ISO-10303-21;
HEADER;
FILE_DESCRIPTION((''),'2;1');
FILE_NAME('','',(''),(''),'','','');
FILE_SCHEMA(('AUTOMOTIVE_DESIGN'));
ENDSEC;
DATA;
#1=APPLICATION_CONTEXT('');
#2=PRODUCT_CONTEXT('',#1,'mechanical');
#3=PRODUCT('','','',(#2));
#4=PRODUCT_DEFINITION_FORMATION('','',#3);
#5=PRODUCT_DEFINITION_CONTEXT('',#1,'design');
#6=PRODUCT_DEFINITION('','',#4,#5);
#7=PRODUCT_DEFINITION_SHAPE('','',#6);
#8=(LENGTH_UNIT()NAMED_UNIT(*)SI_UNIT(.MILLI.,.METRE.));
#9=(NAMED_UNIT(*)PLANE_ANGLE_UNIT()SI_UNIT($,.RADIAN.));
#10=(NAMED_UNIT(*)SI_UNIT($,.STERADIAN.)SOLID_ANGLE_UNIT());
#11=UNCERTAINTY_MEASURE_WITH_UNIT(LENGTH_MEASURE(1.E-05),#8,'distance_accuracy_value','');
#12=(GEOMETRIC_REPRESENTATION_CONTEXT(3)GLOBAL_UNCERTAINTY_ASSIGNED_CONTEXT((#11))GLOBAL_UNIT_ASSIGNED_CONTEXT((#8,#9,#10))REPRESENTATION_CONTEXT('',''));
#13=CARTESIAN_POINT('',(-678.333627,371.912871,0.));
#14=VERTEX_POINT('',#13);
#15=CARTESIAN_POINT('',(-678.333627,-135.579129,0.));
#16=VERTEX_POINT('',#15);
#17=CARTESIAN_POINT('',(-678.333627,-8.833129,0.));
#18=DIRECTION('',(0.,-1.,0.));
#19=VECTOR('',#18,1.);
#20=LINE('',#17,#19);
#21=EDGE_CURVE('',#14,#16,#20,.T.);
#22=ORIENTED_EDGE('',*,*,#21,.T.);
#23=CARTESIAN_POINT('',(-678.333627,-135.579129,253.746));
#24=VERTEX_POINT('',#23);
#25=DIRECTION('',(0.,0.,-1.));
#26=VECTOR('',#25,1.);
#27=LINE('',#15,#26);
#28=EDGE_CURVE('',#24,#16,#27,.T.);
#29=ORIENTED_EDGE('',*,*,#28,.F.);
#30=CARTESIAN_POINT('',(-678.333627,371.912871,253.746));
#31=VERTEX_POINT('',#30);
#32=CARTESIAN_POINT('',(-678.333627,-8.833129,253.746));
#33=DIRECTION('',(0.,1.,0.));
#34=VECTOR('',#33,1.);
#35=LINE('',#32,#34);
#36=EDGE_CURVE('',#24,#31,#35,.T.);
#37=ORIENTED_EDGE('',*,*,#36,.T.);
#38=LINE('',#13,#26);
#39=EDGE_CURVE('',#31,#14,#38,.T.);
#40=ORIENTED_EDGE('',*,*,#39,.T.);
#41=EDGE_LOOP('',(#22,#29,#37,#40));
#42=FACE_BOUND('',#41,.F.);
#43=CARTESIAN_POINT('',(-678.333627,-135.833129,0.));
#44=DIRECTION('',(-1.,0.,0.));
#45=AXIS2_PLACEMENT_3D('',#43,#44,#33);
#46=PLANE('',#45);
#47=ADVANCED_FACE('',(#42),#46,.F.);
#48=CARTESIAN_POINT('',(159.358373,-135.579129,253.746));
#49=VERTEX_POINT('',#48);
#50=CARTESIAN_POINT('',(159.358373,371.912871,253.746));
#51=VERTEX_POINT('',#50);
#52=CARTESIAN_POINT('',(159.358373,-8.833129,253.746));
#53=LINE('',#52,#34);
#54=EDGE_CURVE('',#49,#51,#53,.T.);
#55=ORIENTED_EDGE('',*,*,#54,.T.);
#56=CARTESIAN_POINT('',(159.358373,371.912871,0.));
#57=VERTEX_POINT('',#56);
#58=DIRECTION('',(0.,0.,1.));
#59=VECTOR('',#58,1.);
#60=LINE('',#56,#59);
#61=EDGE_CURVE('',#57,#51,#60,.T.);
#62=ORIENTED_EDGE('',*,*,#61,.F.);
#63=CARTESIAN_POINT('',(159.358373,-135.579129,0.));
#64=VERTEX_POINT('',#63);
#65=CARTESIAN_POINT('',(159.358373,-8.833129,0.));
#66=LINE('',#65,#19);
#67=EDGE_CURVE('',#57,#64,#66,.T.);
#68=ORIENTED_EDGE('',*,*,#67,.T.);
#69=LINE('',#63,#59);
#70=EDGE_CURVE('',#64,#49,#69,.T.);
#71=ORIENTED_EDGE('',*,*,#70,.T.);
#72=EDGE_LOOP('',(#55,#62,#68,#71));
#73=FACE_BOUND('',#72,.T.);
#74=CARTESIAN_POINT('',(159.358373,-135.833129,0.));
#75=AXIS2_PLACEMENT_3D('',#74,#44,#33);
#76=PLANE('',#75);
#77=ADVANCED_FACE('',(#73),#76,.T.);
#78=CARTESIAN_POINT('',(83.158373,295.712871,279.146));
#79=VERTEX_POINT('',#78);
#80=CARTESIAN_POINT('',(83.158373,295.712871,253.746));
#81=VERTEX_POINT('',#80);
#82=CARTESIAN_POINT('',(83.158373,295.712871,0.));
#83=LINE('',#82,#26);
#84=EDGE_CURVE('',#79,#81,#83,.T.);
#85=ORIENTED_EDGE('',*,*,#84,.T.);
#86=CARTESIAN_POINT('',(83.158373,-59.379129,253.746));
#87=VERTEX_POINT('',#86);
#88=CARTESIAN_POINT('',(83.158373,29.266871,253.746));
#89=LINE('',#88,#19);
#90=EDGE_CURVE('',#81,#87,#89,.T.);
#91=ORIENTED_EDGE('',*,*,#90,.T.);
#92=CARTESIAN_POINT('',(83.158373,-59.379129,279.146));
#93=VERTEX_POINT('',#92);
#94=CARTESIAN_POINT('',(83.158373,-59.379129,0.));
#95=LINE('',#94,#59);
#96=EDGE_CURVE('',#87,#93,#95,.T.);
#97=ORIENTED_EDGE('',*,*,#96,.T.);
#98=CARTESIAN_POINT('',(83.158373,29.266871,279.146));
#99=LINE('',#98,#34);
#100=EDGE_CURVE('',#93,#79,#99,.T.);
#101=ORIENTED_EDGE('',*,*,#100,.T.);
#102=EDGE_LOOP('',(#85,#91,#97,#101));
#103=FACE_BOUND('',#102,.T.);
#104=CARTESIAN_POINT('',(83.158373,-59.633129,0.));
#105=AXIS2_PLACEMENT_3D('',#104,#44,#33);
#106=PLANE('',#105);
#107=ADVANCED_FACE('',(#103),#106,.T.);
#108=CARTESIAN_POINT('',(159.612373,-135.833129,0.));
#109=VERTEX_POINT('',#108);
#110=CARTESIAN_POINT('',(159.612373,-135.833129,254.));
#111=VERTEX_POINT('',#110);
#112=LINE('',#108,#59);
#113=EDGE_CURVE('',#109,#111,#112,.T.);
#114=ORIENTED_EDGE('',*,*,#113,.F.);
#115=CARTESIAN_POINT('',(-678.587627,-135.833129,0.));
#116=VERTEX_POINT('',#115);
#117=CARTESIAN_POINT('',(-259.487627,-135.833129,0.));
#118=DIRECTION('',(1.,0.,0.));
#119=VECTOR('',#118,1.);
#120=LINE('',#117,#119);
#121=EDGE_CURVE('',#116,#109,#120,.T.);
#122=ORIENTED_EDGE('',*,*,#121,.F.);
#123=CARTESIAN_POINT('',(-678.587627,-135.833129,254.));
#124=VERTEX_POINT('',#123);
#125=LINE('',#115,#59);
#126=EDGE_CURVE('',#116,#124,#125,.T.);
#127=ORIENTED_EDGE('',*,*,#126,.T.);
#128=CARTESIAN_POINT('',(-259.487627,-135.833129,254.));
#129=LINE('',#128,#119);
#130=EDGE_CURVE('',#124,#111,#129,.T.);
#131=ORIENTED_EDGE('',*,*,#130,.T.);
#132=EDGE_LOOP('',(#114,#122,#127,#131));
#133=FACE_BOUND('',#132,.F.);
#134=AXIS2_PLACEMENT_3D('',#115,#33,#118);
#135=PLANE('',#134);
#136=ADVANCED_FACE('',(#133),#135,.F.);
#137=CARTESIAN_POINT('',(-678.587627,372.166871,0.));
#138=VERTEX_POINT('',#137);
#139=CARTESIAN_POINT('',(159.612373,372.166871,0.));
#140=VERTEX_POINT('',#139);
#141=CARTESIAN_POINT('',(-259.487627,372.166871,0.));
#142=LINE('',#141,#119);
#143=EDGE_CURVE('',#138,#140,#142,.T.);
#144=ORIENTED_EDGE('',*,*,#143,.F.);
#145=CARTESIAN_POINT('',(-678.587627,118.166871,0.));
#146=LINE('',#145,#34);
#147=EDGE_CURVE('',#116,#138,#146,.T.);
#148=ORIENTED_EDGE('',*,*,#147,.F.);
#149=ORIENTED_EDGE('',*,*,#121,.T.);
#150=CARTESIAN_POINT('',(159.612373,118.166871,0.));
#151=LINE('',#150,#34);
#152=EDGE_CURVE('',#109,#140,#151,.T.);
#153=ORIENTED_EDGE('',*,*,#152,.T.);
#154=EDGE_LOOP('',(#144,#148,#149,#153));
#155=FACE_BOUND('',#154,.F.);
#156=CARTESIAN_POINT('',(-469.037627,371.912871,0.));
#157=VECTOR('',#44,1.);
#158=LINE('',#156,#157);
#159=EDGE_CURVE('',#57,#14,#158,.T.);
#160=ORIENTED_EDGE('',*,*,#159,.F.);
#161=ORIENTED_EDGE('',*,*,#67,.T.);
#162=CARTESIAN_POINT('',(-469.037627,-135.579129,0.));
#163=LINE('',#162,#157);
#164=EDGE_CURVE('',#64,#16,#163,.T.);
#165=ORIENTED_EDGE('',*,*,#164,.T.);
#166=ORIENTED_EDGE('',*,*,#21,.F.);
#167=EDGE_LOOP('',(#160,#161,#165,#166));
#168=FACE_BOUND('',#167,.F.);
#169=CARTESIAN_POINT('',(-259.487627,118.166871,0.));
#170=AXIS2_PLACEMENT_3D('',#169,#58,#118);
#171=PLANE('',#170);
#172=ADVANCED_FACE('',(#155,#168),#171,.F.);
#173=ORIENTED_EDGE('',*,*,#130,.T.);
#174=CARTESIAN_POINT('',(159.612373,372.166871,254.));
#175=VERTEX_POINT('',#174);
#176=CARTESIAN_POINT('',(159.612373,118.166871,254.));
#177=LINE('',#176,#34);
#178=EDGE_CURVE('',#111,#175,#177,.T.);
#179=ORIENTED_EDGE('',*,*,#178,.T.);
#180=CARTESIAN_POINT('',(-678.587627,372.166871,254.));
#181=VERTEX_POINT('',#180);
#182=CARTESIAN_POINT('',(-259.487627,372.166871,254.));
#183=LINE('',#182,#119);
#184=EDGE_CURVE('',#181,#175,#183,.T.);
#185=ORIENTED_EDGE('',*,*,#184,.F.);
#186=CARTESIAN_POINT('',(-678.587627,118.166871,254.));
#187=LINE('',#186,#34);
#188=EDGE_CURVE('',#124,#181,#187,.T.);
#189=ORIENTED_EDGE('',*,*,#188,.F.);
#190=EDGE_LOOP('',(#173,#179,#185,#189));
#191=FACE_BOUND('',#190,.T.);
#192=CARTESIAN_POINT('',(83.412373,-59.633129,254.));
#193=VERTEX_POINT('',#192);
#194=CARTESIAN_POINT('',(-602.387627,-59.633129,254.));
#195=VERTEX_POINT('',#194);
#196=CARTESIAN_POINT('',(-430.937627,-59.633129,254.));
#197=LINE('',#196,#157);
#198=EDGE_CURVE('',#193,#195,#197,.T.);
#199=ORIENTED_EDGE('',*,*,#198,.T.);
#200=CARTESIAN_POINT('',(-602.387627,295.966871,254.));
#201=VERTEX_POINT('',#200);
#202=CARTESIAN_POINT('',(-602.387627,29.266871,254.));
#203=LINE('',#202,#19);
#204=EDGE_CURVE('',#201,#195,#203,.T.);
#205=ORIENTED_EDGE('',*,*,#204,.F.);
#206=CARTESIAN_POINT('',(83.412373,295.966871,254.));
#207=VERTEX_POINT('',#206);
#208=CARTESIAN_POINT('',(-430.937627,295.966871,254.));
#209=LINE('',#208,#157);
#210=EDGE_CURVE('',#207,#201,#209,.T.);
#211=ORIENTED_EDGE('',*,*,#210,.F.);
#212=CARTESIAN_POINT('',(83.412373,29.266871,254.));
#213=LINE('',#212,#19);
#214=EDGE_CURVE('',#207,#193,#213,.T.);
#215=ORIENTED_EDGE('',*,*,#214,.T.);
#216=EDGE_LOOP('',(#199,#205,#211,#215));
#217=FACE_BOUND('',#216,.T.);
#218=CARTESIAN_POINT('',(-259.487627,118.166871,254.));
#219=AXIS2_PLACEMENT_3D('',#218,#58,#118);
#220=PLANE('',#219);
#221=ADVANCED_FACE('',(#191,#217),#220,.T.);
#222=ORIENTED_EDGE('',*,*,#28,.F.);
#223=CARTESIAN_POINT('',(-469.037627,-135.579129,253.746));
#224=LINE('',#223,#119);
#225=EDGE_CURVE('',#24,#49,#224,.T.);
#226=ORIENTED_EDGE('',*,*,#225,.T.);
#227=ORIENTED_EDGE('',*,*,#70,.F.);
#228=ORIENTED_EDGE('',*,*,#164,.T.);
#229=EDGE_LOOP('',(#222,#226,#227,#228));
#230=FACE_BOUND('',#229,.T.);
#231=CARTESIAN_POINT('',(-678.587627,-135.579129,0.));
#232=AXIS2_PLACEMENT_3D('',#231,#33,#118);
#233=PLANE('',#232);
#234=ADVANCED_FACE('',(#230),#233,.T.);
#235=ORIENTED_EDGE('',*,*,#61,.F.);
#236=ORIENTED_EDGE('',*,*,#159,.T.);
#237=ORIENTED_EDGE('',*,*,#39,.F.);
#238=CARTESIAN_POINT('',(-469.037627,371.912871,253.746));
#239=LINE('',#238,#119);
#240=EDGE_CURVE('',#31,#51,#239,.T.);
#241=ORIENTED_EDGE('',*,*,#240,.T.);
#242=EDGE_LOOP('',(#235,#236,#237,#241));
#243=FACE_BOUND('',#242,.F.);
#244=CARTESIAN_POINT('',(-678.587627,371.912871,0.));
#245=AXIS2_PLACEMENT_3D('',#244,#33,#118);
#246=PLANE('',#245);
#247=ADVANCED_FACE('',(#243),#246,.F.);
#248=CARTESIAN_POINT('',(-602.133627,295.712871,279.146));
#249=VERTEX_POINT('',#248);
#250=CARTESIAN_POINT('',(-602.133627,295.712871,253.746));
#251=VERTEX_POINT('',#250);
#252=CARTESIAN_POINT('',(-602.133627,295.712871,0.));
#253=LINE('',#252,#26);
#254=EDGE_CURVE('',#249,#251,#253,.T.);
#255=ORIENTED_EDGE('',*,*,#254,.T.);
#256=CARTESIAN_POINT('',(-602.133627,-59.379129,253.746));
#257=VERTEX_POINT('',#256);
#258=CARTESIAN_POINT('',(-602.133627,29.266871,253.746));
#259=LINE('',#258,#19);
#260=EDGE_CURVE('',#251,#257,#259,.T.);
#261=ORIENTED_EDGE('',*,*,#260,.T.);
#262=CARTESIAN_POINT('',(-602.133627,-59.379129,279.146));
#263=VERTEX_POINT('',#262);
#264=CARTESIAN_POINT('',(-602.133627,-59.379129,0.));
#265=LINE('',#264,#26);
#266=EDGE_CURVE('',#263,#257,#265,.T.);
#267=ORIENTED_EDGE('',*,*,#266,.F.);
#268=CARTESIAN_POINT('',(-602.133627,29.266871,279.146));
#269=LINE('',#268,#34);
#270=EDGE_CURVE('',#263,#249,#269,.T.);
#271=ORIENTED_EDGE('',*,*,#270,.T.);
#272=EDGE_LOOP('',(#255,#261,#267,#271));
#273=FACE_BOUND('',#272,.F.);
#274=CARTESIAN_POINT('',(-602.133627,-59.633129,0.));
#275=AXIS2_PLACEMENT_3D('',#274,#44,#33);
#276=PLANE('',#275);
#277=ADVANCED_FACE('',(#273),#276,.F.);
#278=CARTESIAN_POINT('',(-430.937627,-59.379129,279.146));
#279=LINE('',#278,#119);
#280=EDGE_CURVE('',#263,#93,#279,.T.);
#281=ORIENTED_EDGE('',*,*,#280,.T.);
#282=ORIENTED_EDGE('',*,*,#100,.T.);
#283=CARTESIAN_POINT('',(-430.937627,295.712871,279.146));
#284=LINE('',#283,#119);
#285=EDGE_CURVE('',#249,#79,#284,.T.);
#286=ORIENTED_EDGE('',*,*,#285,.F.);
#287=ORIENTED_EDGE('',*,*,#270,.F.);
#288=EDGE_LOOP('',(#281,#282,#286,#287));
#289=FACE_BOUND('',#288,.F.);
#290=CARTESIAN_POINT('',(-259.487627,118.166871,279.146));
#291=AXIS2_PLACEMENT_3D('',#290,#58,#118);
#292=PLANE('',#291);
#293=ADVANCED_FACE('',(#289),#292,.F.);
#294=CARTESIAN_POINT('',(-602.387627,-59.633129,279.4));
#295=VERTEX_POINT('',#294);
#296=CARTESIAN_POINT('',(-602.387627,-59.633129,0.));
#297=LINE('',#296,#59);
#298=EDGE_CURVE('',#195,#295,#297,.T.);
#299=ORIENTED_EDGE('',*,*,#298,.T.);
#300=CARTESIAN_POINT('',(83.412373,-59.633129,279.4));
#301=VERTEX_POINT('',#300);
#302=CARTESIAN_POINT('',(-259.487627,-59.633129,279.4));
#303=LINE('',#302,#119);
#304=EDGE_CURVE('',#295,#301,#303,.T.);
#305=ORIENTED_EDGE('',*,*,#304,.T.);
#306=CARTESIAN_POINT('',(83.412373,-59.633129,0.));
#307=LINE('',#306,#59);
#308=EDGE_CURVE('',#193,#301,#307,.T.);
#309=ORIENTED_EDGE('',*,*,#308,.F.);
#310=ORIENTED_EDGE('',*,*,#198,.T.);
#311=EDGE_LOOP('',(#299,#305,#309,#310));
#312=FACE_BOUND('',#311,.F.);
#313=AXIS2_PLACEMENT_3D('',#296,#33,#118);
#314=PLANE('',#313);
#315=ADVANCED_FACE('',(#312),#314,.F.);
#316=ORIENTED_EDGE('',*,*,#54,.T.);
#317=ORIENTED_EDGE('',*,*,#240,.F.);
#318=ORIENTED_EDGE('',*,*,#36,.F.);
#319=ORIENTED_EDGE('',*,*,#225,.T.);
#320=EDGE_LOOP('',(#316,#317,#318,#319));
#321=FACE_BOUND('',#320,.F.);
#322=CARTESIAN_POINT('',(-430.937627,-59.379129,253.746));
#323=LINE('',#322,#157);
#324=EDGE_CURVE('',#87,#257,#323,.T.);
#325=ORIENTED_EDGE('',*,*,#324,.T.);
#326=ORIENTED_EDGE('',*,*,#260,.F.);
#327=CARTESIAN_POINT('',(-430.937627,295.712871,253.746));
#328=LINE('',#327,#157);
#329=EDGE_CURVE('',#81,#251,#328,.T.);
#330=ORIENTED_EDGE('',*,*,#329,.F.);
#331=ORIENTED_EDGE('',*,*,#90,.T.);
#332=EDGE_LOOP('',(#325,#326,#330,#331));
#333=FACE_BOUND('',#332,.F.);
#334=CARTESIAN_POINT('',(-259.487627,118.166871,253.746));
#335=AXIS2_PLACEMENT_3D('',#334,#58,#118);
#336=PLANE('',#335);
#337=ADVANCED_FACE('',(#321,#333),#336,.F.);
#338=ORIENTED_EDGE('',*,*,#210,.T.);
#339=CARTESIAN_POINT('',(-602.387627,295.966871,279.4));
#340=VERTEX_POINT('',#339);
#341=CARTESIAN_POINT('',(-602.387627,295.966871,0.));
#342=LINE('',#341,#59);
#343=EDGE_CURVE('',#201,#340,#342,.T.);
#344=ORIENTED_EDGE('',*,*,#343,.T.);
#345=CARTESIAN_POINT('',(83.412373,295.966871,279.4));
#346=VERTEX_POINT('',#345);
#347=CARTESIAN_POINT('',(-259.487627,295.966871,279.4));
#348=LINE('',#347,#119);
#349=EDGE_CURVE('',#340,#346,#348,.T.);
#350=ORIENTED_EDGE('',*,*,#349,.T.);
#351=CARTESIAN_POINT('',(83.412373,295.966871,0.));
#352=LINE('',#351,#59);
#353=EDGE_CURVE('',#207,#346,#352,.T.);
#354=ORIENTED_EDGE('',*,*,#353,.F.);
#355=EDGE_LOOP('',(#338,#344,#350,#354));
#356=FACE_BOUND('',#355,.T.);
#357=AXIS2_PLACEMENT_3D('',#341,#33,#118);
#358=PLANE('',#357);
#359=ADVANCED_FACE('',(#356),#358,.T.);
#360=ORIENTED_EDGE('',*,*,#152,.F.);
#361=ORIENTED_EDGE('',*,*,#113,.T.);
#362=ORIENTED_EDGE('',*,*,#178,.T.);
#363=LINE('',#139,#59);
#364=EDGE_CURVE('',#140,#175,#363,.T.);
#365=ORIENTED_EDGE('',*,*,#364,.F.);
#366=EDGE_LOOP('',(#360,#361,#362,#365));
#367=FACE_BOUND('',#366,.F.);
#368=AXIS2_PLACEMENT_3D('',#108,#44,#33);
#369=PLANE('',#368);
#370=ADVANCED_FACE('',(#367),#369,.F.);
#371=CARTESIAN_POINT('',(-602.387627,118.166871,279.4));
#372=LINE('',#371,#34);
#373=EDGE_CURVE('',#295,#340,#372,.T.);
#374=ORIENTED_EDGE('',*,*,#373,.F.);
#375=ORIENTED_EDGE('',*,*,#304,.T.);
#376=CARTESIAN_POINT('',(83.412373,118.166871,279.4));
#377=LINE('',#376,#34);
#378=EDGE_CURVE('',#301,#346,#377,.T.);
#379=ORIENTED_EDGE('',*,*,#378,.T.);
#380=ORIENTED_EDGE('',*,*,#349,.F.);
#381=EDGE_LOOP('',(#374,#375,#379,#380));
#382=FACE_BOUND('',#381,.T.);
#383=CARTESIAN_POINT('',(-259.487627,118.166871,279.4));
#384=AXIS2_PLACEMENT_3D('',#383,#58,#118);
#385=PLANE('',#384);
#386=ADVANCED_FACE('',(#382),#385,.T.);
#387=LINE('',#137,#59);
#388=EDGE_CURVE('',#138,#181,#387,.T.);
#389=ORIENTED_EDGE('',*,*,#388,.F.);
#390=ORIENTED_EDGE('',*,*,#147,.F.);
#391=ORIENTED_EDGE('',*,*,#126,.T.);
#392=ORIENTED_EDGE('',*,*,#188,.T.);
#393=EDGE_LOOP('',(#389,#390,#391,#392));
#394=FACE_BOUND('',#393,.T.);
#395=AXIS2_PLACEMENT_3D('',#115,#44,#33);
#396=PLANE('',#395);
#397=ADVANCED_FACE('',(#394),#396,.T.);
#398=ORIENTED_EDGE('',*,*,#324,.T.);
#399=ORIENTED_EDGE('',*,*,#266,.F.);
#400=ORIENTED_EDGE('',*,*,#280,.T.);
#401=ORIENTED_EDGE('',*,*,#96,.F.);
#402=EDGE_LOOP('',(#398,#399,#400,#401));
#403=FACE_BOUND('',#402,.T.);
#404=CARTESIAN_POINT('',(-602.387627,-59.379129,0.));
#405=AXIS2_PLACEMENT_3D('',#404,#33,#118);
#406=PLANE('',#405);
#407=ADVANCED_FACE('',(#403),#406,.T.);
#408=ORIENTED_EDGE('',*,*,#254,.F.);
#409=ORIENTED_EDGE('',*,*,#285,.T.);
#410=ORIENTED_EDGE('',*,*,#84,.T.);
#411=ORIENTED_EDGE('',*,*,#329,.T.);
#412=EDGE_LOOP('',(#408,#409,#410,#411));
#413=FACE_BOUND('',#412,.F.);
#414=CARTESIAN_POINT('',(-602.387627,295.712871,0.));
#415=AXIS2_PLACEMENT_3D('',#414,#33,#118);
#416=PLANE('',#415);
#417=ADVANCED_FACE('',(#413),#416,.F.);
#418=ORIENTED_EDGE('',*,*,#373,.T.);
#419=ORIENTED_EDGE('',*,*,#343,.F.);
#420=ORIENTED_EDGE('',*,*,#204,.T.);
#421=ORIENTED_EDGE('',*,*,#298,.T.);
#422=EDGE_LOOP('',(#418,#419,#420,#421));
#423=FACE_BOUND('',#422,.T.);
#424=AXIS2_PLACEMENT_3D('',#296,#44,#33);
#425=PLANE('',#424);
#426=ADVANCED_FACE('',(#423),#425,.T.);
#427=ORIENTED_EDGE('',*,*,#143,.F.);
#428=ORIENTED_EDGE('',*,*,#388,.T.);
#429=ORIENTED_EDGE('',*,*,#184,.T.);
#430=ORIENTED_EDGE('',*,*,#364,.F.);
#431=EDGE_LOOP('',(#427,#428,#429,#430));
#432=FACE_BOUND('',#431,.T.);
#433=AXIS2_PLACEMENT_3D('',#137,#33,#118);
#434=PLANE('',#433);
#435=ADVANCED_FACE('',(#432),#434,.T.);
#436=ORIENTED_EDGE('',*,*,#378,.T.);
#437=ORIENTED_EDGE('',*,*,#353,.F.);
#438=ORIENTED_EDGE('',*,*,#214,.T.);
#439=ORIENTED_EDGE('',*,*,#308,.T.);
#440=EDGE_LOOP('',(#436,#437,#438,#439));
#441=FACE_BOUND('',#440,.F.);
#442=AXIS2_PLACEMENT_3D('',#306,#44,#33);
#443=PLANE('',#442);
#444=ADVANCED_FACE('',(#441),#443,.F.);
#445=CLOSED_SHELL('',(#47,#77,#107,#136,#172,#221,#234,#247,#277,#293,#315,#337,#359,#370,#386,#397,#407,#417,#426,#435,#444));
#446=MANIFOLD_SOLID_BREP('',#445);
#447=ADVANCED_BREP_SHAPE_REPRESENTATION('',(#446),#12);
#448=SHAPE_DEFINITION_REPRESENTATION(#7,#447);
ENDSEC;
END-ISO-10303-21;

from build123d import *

# Parameters (mm, degrees)
F0_W     = 838.2
F0_H     = 508
F0_W_2   = 685.8
F0_H_2   = 355.6
F1_DEPTH = 254
F2_DEPTH = 279.4
F3_T     = -0.254


with BuildPart() as f1:
    # F0 (on Top) → F1 (new body)
    with BuildSketch(Plane.XY):
        with Locations((-259.4876274824, 118.1668707132)):
            Rectangle(F0_W, F0_H)
        with Locations((-259.4876274824, 118.1668707132)):
            Rectangle(F0_W_2, F0_H_2, mode=Mode.SUBTRACT)
        with Locations((-259.4876274824, 118.1668707132)):
            Rectangle(F0_W_2, F0_H_2)
    extrude(amount=F1_DEPTH)

    # F0 (on Top) → F2 (join)
    with BuildSketch(Plane.XY):
        with Locations((-259.4876274824, 118.1668707132)):
            Rectangle(F0_W_2, F0_H_2)
    extrude(amount=F2_DEPTH)

    # F3
    f3_openings = [f1.faces().sort_by_distance(p)[0] for p in [
        (-259.487627, 118.166871, 0),
    ]]
    offset(amount=F3_T, openings=f3_openings, kind=Kind.INTERSECTION)


solid = f1.part
